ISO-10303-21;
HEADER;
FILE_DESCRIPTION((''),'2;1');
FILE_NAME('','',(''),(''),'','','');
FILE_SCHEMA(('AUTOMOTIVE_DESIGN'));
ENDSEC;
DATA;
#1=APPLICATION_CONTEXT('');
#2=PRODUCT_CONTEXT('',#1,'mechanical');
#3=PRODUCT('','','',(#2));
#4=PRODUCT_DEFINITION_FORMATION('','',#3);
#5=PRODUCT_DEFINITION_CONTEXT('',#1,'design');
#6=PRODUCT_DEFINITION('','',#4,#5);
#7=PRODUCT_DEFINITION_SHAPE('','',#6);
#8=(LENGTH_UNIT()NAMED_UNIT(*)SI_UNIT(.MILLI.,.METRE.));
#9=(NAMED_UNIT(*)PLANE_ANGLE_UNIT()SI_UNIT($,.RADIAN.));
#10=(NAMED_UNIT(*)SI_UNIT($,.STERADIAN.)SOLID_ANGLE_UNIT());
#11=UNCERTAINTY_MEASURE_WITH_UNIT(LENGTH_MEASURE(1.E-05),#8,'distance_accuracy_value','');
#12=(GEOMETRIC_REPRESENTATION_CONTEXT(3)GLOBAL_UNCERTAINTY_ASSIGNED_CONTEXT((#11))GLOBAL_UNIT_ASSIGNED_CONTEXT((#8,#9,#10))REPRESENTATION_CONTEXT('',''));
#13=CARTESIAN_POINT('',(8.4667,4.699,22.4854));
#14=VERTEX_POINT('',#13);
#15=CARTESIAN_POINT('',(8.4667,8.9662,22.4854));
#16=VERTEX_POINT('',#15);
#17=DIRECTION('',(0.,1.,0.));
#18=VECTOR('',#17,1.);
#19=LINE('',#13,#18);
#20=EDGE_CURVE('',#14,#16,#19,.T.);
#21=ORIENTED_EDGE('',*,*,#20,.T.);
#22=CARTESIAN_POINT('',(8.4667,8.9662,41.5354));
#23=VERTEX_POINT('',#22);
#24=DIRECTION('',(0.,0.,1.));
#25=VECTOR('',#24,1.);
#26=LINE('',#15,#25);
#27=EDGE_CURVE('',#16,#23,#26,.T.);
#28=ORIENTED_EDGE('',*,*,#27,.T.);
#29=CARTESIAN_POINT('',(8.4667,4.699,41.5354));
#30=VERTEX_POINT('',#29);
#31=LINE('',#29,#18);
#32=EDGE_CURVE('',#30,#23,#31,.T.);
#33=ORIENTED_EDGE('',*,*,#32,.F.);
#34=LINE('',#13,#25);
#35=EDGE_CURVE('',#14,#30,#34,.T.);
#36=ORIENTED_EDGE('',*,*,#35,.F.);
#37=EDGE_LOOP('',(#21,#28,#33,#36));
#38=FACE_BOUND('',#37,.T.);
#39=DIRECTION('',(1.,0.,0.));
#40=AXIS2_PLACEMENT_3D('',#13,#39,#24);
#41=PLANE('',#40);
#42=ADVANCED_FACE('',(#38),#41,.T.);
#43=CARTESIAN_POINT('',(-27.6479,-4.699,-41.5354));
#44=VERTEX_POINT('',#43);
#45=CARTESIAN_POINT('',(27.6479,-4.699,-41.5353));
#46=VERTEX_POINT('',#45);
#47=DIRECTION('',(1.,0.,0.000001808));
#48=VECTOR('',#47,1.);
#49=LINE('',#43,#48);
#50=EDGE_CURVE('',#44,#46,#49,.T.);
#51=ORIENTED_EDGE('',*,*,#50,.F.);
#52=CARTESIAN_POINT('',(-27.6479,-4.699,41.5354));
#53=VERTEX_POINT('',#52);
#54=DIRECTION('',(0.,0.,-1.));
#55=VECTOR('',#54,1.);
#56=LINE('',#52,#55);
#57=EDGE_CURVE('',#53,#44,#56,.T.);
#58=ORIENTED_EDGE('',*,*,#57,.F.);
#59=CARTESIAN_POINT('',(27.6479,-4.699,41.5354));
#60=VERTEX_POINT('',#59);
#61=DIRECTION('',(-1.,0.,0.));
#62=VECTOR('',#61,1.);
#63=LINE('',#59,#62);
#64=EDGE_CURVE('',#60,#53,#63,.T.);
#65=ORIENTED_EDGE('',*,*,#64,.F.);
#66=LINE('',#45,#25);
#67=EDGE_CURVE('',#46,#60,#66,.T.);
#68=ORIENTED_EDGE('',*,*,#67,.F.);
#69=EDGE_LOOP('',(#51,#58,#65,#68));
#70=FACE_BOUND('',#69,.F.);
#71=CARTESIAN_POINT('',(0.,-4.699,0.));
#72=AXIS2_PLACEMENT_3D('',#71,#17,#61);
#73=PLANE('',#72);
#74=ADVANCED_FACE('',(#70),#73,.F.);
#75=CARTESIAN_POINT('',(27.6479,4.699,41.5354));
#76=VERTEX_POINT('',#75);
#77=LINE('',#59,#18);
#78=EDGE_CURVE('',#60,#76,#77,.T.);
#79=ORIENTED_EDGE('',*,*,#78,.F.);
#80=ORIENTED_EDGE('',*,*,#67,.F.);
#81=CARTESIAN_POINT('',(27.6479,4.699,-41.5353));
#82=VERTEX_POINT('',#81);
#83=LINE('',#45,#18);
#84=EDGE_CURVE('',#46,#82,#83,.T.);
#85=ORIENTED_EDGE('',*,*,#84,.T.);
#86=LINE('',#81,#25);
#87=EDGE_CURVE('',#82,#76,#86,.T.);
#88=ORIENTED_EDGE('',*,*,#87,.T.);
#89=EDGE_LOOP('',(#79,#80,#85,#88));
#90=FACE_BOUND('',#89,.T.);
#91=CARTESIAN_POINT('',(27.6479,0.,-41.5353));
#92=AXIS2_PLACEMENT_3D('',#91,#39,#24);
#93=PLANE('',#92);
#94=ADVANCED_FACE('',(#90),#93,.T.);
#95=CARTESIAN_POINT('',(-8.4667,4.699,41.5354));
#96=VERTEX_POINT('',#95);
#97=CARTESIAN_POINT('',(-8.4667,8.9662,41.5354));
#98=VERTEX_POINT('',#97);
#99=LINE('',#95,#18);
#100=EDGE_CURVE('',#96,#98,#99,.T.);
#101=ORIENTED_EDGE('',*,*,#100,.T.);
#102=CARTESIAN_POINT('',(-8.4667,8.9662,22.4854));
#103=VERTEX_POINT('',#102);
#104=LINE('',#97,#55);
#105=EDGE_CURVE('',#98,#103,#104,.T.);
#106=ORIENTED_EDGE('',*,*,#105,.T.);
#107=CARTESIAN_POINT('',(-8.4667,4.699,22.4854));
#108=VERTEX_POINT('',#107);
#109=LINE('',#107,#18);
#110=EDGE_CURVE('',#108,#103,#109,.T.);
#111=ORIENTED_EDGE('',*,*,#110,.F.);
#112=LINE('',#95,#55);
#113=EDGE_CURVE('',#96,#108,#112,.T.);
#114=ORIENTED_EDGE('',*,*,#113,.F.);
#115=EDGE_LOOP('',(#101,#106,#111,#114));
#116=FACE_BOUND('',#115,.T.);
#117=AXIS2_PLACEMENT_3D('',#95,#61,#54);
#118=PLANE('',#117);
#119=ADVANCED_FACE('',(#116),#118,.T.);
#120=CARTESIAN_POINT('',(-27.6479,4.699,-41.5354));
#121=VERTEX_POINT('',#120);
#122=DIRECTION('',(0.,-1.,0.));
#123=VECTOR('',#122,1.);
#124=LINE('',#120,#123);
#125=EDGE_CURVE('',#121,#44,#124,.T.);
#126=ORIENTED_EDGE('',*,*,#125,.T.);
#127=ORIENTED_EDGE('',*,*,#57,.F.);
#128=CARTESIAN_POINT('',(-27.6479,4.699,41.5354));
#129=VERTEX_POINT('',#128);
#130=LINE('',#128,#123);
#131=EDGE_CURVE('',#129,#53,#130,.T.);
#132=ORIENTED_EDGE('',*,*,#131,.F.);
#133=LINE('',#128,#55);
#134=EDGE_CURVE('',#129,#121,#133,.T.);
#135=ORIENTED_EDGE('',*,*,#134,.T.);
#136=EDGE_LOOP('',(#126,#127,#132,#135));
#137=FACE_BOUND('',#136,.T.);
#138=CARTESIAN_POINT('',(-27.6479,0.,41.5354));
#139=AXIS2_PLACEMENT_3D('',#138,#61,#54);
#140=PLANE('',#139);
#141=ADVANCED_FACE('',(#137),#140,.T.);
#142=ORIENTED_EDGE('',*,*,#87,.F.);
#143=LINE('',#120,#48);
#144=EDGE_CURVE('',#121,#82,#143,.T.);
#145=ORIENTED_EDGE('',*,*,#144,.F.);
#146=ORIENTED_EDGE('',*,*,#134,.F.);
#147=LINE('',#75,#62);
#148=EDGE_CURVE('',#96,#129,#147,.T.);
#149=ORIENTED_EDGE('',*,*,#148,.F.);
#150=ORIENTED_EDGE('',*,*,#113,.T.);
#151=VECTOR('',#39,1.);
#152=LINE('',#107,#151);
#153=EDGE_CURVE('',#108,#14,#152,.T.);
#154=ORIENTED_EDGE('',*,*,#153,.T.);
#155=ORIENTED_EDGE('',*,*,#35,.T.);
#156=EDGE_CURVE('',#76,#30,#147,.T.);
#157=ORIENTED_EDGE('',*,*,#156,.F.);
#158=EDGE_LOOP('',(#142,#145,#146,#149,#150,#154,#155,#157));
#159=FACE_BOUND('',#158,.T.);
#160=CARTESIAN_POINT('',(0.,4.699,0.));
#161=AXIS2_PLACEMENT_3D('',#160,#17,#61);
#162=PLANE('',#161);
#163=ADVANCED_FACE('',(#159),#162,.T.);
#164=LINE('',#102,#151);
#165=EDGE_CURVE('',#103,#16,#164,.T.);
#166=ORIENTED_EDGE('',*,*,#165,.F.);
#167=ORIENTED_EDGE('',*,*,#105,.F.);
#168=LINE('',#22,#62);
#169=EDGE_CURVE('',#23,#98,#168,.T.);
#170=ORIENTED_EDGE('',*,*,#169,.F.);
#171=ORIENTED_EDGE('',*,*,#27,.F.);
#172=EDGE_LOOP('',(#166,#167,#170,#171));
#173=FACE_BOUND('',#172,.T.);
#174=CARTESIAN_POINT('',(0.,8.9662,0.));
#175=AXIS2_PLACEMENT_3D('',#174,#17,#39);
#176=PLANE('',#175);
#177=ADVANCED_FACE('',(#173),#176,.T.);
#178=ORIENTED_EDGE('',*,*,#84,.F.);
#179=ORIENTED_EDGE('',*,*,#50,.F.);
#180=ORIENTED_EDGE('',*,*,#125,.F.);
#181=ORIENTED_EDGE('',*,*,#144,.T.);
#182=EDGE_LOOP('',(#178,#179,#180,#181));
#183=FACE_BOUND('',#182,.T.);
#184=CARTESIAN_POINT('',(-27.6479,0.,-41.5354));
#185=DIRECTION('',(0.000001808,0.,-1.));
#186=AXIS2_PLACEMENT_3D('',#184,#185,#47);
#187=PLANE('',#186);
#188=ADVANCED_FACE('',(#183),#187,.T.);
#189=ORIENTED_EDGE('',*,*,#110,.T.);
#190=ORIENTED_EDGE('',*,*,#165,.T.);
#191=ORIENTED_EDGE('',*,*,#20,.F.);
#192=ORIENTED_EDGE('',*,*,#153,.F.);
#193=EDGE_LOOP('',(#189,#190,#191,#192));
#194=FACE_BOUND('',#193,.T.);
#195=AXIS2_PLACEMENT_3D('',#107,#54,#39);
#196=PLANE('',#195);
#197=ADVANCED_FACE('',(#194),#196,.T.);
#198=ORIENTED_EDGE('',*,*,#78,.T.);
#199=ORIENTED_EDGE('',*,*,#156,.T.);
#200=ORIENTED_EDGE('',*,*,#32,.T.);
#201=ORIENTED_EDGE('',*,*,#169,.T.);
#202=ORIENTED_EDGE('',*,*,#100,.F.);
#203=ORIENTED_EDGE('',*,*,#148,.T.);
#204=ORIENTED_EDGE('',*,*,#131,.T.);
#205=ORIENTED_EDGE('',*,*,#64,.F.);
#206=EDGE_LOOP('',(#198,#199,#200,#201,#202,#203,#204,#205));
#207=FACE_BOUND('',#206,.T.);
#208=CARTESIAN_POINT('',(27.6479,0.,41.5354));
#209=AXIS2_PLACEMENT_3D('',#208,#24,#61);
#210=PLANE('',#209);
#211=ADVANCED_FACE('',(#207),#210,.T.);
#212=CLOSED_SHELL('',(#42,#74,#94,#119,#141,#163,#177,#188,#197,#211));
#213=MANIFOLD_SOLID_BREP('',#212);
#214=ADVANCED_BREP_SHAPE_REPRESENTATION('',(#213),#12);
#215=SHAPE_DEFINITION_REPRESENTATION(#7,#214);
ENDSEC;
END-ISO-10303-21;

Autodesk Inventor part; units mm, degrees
ref_plane "YZ Plane" through (0, 0, 0) normal (1, 0, 0) x (0, 1, 0)
ref_plane "XZ Plane" through (0, 0, 0) normal (0, 1, 0) x (-1, 0, 0)
ref_plane "XY Plane" through (0, 0, 0) normal (0, 0, 1) x (1, 0, 0)
sketch "Sketch1" plane through (0, 0, 0) normal (0, 1, 0) x (-1, 0, 0)
  line L0 (-27.6479, 41.5354) -> (27.6479, 41.5354)
  line L1 (27.6479, 41.5354) -> (27.6479, -41.5354)
  line L2 (27.6479, -41.5354) -> (-27.6479, -41.5353)
  line L3 (-27.6479, -41.5353) -> (-27.6479, 41.5354)
  line L4 (-27.6479, 41.5354) -> (27.6479, -41.5354) construction
  line L5 (27.6479, 41.5354) -> (-27.6479, -41.5353) construction
  point P0 (0, 0)
  dimension "BreadboardWidth" = 55.2958
  dimension "BreadboardLength" = 83.0707
extrude "Breadbord" add sketch "Sketch1" along normal mid plane 9.398
sketch "Sketch2" plane through (0, 4.699, 0) normal (0, 1, 0) x (1, 0, 0)
  line L0 (8.4667, -41.5354) -> (-8.4667, -41.5354)
  line L1 (-8.4667, -41.5354) -> (-8.4667, -22.4854)
  line L2 (-8.4667, -22.4854) -> (8.4667, -22.4854)
  line L3 (8.4667, -22.4854) -> (8.4667, -41.5354)
  line L4 (8.4667, -41.5354) -> (-8.4667, -22.4854) construction
  line L5 (-8.4667, -41.5354) -> (8.4667, -22.4854) construction
  line L6 (27.6479, 41.5353) -> (-27.6479, 41.5354) projected
  line L7 (-27.6479, -41.5354) -> (27.6479, -41.5354) projected
  point P0 (0, 0)
  point P1 (0, -32.0104)
  dimension "d4" = 16.9333
  dimension "d5" = 19.05
extrude "LIDAR Chip" add sketch "Sketch2" along normal blind 4.2672
properties part number "Breadboard"
